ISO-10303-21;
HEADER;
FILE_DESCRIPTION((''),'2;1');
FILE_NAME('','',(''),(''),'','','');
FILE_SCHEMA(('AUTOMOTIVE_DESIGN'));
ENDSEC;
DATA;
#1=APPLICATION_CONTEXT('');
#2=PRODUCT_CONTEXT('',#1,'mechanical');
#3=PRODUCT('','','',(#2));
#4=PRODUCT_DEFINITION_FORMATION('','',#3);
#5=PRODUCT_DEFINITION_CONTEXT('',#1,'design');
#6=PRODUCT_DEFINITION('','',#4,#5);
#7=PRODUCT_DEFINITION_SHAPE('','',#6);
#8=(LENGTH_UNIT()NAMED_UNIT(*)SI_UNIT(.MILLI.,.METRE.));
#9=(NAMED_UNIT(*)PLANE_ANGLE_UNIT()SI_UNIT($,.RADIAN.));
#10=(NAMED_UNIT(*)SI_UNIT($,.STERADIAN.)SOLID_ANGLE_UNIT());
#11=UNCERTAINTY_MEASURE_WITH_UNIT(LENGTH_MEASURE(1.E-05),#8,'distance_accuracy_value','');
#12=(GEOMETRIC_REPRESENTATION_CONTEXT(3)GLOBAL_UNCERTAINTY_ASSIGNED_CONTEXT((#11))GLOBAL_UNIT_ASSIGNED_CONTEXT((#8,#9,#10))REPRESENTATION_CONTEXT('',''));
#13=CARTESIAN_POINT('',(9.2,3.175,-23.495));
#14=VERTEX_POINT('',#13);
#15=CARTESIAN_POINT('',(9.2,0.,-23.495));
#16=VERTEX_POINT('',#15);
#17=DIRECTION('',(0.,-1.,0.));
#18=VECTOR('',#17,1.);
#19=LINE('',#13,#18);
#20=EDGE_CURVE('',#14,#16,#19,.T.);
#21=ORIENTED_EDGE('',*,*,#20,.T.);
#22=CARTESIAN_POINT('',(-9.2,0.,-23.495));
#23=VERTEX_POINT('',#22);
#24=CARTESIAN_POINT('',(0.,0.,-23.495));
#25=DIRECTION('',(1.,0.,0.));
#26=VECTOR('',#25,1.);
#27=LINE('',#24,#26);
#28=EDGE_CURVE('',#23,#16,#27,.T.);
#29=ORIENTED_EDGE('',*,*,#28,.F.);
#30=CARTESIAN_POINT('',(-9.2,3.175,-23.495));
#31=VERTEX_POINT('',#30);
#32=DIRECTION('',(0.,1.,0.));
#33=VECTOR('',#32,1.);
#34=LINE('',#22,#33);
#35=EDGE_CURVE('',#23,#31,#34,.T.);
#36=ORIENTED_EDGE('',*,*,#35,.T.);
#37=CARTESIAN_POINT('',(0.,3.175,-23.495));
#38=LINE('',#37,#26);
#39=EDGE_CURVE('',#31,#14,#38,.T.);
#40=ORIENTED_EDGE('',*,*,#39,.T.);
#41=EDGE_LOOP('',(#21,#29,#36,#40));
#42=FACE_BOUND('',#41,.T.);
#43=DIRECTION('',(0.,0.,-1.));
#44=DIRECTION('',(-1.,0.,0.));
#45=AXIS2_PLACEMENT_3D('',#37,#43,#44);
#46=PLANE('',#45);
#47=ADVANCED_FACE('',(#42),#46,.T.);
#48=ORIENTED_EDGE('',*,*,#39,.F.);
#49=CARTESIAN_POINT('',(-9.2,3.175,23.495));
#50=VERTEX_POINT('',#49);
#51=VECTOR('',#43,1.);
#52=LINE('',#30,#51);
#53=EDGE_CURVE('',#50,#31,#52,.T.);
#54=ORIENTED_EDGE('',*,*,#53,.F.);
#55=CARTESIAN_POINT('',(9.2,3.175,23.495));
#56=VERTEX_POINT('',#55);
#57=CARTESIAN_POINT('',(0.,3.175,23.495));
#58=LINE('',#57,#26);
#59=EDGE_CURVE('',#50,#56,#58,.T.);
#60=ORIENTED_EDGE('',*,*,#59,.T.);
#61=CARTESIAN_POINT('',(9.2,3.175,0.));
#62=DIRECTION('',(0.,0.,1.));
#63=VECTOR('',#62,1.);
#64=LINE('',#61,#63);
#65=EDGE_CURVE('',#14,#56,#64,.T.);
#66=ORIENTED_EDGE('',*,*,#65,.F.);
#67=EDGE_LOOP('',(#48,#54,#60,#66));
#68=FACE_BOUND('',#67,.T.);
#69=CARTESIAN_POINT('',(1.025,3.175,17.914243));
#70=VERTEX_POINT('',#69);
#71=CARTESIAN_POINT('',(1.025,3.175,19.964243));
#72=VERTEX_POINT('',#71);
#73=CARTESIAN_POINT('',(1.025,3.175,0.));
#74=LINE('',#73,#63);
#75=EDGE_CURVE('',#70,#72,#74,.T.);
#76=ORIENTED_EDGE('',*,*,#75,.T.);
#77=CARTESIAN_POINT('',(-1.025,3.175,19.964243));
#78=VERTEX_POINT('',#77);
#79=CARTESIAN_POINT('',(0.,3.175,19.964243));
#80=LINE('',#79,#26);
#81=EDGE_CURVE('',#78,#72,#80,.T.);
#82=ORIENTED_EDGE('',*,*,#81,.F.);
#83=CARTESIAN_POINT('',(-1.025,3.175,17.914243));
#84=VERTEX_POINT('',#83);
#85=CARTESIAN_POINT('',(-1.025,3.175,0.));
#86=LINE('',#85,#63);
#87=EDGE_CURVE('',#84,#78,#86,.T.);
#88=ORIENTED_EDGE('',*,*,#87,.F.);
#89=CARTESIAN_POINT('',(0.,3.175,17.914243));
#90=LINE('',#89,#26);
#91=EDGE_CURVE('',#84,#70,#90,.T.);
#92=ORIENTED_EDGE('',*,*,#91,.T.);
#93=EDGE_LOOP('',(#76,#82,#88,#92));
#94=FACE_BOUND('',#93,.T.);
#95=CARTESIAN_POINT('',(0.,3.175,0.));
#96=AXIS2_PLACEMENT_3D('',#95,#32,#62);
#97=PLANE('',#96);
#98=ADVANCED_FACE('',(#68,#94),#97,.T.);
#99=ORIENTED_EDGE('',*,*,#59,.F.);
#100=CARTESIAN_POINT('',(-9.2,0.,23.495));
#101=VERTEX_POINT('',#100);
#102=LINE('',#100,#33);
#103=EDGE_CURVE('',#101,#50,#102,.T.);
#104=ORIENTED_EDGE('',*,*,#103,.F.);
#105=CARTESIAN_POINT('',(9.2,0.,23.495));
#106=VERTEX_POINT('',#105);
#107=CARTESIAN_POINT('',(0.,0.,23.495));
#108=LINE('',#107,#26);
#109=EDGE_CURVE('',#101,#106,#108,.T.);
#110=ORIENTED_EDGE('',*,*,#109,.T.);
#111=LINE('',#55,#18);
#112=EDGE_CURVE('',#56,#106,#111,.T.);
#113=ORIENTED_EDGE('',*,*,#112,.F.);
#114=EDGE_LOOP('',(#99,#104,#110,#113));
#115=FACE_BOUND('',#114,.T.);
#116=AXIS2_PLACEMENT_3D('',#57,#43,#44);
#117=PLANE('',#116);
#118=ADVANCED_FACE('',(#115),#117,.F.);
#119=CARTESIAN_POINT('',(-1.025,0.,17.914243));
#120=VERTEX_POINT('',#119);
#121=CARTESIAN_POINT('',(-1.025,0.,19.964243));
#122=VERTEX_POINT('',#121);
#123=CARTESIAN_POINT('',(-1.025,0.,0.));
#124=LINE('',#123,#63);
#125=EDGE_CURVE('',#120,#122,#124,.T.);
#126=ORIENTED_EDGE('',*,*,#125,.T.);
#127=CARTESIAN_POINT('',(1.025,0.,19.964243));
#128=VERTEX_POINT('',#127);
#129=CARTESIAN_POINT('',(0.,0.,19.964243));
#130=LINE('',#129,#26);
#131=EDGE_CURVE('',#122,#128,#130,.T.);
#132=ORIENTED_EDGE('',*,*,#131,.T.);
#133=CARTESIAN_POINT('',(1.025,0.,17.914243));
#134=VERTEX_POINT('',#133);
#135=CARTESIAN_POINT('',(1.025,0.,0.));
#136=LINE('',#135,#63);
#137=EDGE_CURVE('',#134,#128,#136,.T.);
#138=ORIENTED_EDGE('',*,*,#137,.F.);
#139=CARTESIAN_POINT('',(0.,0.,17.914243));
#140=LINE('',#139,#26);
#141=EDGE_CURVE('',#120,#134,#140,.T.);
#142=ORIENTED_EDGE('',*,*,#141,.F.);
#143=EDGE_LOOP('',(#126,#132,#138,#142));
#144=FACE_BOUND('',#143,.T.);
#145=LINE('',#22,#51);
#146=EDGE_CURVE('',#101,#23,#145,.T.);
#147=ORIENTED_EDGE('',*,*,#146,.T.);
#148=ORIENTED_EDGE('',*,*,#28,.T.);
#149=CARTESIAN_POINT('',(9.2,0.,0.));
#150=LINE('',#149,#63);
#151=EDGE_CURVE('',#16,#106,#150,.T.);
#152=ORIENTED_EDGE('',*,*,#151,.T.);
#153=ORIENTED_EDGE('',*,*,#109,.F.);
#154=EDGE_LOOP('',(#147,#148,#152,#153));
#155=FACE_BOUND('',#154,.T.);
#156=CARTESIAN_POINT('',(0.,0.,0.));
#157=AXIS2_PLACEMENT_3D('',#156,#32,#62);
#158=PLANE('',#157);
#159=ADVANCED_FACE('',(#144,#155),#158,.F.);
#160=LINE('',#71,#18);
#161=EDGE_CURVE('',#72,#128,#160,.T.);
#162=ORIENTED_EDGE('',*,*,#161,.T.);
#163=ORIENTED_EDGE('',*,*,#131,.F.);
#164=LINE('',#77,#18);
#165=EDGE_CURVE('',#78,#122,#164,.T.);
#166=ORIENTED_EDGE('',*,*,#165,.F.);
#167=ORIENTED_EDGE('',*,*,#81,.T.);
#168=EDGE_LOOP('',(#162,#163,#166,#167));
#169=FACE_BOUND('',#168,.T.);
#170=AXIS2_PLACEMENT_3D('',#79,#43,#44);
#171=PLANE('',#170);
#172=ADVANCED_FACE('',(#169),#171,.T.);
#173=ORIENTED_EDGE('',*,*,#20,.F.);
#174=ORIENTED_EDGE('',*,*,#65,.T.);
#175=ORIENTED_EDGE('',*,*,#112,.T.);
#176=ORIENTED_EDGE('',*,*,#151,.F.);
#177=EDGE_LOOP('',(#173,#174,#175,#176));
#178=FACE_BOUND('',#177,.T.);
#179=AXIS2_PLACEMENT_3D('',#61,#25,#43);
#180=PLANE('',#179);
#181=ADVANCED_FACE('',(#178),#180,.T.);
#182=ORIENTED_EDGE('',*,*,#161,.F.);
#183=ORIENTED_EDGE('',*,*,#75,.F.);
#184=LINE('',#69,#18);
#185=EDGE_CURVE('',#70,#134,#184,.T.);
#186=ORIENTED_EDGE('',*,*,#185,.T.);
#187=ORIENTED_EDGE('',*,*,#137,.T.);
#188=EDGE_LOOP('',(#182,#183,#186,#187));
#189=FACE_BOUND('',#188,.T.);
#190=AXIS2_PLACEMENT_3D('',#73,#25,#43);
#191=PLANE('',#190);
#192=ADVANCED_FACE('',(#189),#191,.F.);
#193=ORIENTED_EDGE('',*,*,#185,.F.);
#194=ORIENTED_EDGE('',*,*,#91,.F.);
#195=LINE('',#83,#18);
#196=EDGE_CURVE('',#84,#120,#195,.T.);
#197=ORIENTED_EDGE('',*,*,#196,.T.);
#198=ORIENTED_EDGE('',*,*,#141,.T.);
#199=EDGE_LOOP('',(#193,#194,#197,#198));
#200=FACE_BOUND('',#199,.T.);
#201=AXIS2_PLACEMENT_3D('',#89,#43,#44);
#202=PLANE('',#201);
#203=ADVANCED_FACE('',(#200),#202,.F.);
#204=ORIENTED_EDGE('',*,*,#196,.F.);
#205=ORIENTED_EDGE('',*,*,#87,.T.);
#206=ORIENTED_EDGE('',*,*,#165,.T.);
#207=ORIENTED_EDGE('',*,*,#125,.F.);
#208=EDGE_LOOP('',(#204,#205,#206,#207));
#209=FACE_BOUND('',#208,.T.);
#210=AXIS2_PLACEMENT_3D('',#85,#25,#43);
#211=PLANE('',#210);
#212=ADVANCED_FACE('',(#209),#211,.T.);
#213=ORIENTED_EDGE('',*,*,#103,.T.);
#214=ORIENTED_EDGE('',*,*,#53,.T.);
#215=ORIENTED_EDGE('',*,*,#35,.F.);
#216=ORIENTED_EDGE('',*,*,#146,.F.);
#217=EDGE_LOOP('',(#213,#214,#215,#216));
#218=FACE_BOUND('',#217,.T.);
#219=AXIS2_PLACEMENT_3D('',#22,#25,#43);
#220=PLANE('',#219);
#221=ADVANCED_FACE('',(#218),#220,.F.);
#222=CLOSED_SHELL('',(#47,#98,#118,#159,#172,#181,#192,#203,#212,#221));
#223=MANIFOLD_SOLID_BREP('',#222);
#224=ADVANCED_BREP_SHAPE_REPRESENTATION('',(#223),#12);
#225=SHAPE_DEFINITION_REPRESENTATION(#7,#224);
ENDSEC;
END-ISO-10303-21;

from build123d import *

# Parameters (mm, degrees)
SKETCH1_W           = 18.4
SKETCH1_H           = 46.99
SKETCH1_W_2         = 2.05
SKETCH1_H_2         = 2.05
SKETCH1_W_3         = 3.175
BOSS_EXTRUDE1_DEPTH = 3.175
SKETCH2_W           = 3.175
SKETCH2_H           = 46.99
CUT_EXTRUDE1_DEPTH  = 4.175


with BuildPart() as part:
    # Sketch1 → Boss-Extrude1 (new body)
    with BuildSketch(Plane(origin=(0, 0, 0), x_dir=(1, 0, 0), z_dir=(0, 1, 0))):
        Rectangle(SKETCH1_W, SKETCH1_H)
        with Locations((0, -18.93924342)):
            Rectangle(SKETCH1_W_2, SKETCH1_H_2, mode=Mode.SUBTRACT)
        with Locations((-10.7875, 0)):
            Rectangle(SKETCH1_W_3, SKETCH1_H)
    extrude(amount=BOSS_EXTRUDE1_DEPTH)

    # Sketch2 → Cut-Extrude1 (cut, through all)
    with BuildSketch(Plane(origin=(0, 3.175, 0), x_dir=(1, 0, 0), z_dir=(0, 1, 0))):
        with Locations((-10.7875, 0)):
            Rectangle(SKETCH2_W, SKETCH2_H)
    extrude(amount=-CUT_EXTRUDE1_DEPTH, mode=Mode.SUBTRACT)


solid = part.part
